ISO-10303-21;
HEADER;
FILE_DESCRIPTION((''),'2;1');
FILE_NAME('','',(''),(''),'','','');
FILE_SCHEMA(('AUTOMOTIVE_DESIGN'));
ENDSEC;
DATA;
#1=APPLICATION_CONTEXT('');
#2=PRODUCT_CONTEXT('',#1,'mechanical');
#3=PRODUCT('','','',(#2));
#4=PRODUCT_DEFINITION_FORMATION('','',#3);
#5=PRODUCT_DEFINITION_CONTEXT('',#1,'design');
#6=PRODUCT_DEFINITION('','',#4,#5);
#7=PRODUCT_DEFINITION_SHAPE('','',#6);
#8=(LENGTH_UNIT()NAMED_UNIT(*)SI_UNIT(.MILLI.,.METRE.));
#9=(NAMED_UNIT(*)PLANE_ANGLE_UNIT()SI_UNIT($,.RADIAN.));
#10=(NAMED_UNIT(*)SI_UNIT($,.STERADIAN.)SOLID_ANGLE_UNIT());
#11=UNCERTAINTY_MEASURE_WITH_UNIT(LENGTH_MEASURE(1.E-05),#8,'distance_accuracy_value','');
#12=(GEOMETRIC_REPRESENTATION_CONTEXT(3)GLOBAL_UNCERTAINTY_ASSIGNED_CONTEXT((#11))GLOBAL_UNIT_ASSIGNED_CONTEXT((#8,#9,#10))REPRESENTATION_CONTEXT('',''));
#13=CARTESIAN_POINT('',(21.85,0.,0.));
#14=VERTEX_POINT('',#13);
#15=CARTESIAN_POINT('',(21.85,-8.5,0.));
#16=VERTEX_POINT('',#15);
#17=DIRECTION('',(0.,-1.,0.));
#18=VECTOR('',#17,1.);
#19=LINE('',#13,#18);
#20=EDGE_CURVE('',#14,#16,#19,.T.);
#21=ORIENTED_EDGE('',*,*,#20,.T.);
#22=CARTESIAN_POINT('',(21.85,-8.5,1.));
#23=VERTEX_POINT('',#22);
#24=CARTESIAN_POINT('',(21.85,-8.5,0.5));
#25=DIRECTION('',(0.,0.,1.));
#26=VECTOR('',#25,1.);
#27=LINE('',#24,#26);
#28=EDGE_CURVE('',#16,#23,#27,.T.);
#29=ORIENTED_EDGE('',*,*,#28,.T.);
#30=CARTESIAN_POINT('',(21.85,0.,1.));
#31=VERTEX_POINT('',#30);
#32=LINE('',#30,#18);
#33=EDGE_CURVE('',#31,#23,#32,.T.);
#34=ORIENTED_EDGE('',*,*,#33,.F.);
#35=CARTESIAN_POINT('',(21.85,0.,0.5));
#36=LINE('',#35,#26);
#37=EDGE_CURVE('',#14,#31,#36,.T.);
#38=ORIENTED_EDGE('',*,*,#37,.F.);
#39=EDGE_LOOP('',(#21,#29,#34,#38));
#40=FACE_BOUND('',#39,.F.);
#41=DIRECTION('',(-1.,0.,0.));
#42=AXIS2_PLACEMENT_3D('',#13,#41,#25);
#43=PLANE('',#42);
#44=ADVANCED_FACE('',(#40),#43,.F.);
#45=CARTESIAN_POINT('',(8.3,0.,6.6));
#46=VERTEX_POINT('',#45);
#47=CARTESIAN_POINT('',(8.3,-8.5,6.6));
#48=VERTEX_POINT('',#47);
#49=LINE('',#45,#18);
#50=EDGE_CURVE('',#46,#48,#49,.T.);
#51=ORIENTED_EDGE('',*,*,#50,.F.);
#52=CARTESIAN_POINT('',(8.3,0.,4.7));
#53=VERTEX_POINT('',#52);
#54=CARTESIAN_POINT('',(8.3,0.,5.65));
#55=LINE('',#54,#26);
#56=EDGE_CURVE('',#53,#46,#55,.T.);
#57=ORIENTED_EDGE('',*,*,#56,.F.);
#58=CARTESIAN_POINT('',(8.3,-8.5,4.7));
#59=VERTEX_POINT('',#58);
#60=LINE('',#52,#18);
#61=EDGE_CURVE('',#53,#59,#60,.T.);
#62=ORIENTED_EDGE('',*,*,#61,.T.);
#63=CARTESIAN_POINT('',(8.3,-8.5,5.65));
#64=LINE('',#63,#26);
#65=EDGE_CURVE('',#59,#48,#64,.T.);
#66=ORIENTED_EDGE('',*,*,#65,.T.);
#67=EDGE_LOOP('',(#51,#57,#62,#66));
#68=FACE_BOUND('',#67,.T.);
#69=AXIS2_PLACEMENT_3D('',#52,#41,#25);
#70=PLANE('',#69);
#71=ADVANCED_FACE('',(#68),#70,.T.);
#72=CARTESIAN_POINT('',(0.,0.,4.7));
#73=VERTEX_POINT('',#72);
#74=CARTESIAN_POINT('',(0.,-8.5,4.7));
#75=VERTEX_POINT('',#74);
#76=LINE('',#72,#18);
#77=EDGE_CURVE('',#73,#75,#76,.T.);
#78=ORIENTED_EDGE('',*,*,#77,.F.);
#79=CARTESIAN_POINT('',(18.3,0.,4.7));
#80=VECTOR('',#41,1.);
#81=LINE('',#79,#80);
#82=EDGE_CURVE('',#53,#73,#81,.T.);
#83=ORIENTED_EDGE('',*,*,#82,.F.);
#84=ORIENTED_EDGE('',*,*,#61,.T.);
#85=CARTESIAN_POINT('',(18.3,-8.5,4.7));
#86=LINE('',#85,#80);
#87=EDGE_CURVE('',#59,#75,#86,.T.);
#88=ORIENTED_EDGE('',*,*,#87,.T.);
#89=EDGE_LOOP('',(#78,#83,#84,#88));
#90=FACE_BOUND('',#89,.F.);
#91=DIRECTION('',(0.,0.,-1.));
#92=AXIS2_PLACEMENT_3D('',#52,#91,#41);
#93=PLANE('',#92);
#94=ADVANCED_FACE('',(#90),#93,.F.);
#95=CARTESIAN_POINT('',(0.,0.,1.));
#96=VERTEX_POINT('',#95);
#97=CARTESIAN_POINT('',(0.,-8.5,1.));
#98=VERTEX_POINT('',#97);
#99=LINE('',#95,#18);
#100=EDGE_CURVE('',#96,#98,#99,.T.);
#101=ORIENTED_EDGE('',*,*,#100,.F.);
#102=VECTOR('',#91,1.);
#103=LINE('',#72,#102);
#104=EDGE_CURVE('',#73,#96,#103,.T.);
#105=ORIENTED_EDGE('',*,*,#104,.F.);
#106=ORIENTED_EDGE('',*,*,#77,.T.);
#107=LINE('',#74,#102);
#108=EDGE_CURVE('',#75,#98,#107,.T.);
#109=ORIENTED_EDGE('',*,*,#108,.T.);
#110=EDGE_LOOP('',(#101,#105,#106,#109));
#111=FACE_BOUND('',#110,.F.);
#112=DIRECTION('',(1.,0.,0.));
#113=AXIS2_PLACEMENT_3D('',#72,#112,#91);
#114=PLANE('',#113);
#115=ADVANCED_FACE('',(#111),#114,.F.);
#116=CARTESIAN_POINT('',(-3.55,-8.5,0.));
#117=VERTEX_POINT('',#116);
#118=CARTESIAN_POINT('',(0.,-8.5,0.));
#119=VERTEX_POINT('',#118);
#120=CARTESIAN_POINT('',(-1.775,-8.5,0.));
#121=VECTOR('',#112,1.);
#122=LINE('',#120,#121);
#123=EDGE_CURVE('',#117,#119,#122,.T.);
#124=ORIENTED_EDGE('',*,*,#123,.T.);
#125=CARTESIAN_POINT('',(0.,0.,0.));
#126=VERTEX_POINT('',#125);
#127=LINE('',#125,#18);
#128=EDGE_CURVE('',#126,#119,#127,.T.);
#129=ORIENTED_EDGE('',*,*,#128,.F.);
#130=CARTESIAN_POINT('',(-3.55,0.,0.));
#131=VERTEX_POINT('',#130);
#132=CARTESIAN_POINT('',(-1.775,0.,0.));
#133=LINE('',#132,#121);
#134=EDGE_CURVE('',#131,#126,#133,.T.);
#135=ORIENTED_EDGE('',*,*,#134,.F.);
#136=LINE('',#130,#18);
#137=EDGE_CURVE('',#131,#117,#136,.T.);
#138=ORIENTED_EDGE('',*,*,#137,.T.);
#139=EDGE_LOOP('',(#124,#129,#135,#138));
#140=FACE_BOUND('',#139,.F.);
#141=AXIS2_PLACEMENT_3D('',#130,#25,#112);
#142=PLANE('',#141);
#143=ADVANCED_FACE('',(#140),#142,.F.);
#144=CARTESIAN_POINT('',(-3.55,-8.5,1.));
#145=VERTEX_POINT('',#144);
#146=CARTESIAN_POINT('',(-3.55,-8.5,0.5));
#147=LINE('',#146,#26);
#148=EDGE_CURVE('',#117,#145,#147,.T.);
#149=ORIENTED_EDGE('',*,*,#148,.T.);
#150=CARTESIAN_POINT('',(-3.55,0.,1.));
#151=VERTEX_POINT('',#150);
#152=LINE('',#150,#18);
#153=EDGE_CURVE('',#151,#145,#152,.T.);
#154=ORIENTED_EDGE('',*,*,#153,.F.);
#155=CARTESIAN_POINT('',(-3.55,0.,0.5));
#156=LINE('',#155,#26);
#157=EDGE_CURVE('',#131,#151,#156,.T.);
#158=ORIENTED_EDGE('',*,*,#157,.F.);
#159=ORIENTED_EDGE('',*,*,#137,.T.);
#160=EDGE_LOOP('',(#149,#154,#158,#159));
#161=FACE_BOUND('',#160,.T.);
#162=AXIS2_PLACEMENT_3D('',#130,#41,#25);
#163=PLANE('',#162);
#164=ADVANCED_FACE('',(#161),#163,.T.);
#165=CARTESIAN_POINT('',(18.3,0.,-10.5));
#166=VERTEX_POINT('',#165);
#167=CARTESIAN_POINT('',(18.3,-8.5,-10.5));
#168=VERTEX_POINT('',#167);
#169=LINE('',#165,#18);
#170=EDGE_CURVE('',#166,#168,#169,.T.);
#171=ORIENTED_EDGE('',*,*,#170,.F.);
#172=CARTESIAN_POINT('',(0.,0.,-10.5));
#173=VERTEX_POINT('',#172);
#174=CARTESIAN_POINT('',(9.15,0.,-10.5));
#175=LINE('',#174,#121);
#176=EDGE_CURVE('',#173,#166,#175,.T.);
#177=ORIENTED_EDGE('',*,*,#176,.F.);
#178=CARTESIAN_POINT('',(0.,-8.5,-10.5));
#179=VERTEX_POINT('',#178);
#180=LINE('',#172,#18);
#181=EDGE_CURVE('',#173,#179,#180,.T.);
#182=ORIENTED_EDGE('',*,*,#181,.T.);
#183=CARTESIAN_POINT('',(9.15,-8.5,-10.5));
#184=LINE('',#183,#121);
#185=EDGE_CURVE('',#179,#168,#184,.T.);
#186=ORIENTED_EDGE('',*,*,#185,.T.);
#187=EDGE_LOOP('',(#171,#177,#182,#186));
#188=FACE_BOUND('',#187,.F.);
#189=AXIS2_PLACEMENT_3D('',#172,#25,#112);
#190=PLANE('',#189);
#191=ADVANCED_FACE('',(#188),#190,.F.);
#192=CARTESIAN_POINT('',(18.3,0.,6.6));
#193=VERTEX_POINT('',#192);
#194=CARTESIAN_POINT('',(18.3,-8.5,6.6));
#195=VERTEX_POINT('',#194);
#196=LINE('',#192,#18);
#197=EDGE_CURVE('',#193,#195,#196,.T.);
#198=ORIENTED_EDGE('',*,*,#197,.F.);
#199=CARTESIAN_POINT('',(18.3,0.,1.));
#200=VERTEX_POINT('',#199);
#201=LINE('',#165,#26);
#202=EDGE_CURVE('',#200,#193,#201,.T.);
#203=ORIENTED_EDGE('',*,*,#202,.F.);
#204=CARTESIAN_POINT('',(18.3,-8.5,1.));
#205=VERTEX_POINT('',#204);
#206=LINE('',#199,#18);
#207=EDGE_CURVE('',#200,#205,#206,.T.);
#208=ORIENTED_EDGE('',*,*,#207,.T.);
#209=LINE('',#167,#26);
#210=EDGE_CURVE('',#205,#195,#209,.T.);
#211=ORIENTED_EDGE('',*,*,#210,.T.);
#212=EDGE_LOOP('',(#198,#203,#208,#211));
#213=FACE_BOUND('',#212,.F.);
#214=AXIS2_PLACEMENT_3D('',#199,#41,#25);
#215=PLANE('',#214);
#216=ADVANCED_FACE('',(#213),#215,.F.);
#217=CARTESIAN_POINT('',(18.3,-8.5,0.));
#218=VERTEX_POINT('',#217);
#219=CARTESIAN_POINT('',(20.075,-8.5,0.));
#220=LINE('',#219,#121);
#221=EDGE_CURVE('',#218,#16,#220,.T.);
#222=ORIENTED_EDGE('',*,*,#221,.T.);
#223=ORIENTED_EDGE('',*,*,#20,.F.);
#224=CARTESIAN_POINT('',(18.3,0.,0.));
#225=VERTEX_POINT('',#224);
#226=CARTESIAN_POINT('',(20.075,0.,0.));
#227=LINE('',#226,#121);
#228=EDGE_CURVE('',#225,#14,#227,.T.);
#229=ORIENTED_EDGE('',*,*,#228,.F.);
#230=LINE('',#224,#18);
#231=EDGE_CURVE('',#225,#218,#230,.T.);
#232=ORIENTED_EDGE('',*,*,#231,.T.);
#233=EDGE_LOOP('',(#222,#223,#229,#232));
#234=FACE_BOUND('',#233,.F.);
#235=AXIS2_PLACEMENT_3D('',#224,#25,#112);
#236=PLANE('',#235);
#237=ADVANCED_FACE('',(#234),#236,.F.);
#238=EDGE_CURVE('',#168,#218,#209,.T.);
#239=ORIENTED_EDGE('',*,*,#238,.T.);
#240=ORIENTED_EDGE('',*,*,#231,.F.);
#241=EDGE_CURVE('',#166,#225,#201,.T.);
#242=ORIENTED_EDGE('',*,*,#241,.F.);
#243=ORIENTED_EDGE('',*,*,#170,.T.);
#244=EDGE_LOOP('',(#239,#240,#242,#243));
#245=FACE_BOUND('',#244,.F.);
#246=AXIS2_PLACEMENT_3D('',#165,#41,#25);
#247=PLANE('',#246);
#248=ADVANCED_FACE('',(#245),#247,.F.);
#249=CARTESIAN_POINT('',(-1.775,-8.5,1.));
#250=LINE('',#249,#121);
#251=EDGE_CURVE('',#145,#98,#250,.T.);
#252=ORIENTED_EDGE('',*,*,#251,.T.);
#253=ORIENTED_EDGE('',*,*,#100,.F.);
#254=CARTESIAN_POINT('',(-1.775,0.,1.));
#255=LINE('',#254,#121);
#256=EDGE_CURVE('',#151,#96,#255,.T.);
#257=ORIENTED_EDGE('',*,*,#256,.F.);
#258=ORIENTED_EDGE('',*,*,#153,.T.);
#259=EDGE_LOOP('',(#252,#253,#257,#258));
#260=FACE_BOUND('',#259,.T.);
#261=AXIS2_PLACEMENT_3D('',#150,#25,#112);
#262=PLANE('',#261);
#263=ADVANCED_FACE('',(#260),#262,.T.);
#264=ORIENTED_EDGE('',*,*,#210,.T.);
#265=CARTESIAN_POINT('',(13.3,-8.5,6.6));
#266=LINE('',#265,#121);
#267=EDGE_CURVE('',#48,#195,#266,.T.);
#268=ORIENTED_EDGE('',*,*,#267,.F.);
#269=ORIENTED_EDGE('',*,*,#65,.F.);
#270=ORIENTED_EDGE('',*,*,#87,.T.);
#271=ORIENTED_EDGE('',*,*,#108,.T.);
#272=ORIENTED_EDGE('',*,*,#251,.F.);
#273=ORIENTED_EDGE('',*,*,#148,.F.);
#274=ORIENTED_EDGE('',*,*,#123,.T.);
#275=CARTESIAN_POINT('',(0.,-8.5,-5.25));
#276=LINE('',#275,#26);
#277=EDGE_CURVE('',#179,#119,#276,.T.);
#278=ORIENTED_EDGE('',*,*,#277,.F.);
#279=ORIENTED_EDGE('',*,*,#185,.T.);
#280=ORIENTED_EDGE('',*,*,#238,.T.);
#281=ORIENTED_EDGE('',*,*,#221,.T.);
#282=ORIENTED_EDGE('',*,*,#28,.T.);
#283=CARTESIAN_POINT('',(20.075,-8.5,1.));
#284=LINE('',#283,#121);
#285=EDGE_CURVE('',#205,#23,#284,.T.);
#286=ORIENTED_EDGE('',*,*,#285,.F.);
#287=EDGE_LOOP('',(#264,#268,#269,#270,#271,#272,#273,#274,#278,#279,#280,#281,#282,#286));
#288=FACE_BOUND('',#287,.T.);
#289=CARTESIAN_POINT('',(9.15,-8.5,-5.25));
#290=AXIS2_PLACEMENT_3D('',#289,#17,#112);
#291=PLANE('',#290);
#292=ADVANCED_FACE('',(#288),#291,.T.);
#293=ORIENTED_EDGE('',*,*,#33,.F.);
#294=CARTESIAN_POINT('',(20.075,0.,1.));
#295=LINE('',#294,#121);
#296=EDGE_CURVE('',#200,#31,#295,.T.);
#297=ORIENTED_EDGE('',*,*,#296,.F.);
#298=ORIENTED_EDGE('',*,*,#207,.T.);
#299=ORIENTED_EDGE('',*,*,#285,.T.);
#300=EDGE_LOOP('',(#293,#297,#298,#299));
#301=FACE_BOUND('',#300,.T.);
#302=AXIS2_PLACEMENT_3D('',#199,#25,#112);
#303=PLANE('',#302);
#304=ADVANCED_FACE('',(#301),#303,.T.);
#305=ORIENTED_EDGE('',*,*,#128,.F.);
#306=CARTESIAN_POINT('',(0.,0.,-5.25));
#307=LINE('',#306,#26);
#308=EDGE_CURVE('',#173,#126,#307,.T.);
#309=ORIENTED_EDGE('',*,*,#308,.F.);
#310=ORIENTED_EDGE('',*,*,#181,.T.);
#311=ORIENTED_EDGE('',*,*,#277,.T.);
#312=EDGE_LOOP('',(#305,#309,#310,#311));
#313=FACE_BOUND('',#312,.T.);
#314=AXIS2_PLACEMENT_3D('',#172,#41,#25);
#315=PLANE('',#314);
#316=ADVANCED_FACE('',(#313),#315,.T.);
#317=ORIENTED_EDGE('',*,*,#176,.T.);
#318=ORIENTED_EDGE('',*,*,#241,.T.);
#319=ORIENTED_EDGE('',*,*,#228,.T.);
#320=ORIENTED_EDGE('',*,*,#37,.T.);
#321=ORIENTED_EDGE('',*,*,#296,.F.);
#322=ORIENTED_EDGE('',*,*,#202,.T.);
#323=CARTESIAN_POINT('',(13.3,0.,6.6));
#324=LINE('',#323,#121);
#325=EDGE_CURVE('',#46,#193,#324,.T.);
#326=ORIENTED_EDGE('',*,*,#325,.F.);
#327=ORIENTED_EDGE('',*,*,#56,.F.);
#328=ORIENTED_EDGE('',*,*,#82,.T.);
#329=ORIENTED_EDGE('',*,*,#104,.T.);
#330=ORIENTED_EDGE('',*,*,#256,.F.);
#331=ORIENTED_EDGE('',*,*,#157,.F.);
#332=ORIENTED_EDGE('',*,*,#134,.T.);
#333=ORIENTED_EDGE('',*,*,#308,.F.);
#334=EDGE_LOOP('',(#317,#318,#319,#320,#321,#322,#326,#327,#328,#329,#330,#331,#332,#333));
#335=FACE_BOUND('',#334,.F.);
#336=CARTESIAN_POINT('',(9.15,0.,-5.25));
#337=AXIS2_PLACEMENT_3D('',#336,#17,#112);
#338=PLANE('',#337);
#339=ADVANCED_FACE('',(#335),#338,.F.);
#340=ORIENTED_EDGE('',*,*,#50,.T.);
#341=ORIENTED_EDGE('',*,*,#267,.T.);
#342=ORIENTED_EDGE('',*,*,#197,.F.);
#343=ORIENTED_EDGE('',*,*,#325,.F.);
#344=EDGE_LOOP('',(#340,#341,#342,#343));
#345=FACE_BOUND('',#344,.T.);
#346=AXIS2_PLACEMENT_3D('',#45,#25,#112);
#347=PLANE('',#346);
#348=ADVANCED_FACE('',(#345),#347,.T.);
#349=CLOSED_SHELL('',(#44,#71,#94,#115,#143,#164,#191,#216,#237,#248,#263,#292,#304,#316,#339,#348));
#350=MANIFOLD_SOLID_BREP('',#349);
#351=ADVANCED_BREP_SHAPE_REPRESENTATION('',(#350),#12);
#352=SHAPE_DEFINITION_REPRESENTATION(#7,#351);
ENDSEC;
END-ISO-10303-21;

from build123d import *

# Parameters (mm, degrees)
F0_W     = 18.3
F0_H     = 10.5
F0_W_2   = 10
F0_H_2   = 1.9
F0_W_3   = 3.55
F0_H_3   = 1
F1_DEPTH = 8.5


with BuildPart() as f1:
    # F0 (on Front) → F1 (new body)
    with BuildSketch(Plane.XZ):
        with Locations((9.15, -5.25)):
            Rectangle(F0_W, F0_H)
        Polygon((8.3, 4.7), (0, 4.7), (0, 1), (18.3, 1), (18.3, 4.7), align=None)
        with Locations((13.3, 5.65)):
            Rectangle(F0_W_2, F0_H_2)
        with Locations((-1.775, 0.5)):
            Rectangle(F0_W_3, F0_H_3)
        with Locations((9.15, 0.5)):
            Rectangle(F0_W, F0_H_3)
        with Locations((20.075, 0.5)):
            Rectangle(F0_W_3, F0_H_3)
    extrude(amount=F1_DEPTH)


solid = f1.part
